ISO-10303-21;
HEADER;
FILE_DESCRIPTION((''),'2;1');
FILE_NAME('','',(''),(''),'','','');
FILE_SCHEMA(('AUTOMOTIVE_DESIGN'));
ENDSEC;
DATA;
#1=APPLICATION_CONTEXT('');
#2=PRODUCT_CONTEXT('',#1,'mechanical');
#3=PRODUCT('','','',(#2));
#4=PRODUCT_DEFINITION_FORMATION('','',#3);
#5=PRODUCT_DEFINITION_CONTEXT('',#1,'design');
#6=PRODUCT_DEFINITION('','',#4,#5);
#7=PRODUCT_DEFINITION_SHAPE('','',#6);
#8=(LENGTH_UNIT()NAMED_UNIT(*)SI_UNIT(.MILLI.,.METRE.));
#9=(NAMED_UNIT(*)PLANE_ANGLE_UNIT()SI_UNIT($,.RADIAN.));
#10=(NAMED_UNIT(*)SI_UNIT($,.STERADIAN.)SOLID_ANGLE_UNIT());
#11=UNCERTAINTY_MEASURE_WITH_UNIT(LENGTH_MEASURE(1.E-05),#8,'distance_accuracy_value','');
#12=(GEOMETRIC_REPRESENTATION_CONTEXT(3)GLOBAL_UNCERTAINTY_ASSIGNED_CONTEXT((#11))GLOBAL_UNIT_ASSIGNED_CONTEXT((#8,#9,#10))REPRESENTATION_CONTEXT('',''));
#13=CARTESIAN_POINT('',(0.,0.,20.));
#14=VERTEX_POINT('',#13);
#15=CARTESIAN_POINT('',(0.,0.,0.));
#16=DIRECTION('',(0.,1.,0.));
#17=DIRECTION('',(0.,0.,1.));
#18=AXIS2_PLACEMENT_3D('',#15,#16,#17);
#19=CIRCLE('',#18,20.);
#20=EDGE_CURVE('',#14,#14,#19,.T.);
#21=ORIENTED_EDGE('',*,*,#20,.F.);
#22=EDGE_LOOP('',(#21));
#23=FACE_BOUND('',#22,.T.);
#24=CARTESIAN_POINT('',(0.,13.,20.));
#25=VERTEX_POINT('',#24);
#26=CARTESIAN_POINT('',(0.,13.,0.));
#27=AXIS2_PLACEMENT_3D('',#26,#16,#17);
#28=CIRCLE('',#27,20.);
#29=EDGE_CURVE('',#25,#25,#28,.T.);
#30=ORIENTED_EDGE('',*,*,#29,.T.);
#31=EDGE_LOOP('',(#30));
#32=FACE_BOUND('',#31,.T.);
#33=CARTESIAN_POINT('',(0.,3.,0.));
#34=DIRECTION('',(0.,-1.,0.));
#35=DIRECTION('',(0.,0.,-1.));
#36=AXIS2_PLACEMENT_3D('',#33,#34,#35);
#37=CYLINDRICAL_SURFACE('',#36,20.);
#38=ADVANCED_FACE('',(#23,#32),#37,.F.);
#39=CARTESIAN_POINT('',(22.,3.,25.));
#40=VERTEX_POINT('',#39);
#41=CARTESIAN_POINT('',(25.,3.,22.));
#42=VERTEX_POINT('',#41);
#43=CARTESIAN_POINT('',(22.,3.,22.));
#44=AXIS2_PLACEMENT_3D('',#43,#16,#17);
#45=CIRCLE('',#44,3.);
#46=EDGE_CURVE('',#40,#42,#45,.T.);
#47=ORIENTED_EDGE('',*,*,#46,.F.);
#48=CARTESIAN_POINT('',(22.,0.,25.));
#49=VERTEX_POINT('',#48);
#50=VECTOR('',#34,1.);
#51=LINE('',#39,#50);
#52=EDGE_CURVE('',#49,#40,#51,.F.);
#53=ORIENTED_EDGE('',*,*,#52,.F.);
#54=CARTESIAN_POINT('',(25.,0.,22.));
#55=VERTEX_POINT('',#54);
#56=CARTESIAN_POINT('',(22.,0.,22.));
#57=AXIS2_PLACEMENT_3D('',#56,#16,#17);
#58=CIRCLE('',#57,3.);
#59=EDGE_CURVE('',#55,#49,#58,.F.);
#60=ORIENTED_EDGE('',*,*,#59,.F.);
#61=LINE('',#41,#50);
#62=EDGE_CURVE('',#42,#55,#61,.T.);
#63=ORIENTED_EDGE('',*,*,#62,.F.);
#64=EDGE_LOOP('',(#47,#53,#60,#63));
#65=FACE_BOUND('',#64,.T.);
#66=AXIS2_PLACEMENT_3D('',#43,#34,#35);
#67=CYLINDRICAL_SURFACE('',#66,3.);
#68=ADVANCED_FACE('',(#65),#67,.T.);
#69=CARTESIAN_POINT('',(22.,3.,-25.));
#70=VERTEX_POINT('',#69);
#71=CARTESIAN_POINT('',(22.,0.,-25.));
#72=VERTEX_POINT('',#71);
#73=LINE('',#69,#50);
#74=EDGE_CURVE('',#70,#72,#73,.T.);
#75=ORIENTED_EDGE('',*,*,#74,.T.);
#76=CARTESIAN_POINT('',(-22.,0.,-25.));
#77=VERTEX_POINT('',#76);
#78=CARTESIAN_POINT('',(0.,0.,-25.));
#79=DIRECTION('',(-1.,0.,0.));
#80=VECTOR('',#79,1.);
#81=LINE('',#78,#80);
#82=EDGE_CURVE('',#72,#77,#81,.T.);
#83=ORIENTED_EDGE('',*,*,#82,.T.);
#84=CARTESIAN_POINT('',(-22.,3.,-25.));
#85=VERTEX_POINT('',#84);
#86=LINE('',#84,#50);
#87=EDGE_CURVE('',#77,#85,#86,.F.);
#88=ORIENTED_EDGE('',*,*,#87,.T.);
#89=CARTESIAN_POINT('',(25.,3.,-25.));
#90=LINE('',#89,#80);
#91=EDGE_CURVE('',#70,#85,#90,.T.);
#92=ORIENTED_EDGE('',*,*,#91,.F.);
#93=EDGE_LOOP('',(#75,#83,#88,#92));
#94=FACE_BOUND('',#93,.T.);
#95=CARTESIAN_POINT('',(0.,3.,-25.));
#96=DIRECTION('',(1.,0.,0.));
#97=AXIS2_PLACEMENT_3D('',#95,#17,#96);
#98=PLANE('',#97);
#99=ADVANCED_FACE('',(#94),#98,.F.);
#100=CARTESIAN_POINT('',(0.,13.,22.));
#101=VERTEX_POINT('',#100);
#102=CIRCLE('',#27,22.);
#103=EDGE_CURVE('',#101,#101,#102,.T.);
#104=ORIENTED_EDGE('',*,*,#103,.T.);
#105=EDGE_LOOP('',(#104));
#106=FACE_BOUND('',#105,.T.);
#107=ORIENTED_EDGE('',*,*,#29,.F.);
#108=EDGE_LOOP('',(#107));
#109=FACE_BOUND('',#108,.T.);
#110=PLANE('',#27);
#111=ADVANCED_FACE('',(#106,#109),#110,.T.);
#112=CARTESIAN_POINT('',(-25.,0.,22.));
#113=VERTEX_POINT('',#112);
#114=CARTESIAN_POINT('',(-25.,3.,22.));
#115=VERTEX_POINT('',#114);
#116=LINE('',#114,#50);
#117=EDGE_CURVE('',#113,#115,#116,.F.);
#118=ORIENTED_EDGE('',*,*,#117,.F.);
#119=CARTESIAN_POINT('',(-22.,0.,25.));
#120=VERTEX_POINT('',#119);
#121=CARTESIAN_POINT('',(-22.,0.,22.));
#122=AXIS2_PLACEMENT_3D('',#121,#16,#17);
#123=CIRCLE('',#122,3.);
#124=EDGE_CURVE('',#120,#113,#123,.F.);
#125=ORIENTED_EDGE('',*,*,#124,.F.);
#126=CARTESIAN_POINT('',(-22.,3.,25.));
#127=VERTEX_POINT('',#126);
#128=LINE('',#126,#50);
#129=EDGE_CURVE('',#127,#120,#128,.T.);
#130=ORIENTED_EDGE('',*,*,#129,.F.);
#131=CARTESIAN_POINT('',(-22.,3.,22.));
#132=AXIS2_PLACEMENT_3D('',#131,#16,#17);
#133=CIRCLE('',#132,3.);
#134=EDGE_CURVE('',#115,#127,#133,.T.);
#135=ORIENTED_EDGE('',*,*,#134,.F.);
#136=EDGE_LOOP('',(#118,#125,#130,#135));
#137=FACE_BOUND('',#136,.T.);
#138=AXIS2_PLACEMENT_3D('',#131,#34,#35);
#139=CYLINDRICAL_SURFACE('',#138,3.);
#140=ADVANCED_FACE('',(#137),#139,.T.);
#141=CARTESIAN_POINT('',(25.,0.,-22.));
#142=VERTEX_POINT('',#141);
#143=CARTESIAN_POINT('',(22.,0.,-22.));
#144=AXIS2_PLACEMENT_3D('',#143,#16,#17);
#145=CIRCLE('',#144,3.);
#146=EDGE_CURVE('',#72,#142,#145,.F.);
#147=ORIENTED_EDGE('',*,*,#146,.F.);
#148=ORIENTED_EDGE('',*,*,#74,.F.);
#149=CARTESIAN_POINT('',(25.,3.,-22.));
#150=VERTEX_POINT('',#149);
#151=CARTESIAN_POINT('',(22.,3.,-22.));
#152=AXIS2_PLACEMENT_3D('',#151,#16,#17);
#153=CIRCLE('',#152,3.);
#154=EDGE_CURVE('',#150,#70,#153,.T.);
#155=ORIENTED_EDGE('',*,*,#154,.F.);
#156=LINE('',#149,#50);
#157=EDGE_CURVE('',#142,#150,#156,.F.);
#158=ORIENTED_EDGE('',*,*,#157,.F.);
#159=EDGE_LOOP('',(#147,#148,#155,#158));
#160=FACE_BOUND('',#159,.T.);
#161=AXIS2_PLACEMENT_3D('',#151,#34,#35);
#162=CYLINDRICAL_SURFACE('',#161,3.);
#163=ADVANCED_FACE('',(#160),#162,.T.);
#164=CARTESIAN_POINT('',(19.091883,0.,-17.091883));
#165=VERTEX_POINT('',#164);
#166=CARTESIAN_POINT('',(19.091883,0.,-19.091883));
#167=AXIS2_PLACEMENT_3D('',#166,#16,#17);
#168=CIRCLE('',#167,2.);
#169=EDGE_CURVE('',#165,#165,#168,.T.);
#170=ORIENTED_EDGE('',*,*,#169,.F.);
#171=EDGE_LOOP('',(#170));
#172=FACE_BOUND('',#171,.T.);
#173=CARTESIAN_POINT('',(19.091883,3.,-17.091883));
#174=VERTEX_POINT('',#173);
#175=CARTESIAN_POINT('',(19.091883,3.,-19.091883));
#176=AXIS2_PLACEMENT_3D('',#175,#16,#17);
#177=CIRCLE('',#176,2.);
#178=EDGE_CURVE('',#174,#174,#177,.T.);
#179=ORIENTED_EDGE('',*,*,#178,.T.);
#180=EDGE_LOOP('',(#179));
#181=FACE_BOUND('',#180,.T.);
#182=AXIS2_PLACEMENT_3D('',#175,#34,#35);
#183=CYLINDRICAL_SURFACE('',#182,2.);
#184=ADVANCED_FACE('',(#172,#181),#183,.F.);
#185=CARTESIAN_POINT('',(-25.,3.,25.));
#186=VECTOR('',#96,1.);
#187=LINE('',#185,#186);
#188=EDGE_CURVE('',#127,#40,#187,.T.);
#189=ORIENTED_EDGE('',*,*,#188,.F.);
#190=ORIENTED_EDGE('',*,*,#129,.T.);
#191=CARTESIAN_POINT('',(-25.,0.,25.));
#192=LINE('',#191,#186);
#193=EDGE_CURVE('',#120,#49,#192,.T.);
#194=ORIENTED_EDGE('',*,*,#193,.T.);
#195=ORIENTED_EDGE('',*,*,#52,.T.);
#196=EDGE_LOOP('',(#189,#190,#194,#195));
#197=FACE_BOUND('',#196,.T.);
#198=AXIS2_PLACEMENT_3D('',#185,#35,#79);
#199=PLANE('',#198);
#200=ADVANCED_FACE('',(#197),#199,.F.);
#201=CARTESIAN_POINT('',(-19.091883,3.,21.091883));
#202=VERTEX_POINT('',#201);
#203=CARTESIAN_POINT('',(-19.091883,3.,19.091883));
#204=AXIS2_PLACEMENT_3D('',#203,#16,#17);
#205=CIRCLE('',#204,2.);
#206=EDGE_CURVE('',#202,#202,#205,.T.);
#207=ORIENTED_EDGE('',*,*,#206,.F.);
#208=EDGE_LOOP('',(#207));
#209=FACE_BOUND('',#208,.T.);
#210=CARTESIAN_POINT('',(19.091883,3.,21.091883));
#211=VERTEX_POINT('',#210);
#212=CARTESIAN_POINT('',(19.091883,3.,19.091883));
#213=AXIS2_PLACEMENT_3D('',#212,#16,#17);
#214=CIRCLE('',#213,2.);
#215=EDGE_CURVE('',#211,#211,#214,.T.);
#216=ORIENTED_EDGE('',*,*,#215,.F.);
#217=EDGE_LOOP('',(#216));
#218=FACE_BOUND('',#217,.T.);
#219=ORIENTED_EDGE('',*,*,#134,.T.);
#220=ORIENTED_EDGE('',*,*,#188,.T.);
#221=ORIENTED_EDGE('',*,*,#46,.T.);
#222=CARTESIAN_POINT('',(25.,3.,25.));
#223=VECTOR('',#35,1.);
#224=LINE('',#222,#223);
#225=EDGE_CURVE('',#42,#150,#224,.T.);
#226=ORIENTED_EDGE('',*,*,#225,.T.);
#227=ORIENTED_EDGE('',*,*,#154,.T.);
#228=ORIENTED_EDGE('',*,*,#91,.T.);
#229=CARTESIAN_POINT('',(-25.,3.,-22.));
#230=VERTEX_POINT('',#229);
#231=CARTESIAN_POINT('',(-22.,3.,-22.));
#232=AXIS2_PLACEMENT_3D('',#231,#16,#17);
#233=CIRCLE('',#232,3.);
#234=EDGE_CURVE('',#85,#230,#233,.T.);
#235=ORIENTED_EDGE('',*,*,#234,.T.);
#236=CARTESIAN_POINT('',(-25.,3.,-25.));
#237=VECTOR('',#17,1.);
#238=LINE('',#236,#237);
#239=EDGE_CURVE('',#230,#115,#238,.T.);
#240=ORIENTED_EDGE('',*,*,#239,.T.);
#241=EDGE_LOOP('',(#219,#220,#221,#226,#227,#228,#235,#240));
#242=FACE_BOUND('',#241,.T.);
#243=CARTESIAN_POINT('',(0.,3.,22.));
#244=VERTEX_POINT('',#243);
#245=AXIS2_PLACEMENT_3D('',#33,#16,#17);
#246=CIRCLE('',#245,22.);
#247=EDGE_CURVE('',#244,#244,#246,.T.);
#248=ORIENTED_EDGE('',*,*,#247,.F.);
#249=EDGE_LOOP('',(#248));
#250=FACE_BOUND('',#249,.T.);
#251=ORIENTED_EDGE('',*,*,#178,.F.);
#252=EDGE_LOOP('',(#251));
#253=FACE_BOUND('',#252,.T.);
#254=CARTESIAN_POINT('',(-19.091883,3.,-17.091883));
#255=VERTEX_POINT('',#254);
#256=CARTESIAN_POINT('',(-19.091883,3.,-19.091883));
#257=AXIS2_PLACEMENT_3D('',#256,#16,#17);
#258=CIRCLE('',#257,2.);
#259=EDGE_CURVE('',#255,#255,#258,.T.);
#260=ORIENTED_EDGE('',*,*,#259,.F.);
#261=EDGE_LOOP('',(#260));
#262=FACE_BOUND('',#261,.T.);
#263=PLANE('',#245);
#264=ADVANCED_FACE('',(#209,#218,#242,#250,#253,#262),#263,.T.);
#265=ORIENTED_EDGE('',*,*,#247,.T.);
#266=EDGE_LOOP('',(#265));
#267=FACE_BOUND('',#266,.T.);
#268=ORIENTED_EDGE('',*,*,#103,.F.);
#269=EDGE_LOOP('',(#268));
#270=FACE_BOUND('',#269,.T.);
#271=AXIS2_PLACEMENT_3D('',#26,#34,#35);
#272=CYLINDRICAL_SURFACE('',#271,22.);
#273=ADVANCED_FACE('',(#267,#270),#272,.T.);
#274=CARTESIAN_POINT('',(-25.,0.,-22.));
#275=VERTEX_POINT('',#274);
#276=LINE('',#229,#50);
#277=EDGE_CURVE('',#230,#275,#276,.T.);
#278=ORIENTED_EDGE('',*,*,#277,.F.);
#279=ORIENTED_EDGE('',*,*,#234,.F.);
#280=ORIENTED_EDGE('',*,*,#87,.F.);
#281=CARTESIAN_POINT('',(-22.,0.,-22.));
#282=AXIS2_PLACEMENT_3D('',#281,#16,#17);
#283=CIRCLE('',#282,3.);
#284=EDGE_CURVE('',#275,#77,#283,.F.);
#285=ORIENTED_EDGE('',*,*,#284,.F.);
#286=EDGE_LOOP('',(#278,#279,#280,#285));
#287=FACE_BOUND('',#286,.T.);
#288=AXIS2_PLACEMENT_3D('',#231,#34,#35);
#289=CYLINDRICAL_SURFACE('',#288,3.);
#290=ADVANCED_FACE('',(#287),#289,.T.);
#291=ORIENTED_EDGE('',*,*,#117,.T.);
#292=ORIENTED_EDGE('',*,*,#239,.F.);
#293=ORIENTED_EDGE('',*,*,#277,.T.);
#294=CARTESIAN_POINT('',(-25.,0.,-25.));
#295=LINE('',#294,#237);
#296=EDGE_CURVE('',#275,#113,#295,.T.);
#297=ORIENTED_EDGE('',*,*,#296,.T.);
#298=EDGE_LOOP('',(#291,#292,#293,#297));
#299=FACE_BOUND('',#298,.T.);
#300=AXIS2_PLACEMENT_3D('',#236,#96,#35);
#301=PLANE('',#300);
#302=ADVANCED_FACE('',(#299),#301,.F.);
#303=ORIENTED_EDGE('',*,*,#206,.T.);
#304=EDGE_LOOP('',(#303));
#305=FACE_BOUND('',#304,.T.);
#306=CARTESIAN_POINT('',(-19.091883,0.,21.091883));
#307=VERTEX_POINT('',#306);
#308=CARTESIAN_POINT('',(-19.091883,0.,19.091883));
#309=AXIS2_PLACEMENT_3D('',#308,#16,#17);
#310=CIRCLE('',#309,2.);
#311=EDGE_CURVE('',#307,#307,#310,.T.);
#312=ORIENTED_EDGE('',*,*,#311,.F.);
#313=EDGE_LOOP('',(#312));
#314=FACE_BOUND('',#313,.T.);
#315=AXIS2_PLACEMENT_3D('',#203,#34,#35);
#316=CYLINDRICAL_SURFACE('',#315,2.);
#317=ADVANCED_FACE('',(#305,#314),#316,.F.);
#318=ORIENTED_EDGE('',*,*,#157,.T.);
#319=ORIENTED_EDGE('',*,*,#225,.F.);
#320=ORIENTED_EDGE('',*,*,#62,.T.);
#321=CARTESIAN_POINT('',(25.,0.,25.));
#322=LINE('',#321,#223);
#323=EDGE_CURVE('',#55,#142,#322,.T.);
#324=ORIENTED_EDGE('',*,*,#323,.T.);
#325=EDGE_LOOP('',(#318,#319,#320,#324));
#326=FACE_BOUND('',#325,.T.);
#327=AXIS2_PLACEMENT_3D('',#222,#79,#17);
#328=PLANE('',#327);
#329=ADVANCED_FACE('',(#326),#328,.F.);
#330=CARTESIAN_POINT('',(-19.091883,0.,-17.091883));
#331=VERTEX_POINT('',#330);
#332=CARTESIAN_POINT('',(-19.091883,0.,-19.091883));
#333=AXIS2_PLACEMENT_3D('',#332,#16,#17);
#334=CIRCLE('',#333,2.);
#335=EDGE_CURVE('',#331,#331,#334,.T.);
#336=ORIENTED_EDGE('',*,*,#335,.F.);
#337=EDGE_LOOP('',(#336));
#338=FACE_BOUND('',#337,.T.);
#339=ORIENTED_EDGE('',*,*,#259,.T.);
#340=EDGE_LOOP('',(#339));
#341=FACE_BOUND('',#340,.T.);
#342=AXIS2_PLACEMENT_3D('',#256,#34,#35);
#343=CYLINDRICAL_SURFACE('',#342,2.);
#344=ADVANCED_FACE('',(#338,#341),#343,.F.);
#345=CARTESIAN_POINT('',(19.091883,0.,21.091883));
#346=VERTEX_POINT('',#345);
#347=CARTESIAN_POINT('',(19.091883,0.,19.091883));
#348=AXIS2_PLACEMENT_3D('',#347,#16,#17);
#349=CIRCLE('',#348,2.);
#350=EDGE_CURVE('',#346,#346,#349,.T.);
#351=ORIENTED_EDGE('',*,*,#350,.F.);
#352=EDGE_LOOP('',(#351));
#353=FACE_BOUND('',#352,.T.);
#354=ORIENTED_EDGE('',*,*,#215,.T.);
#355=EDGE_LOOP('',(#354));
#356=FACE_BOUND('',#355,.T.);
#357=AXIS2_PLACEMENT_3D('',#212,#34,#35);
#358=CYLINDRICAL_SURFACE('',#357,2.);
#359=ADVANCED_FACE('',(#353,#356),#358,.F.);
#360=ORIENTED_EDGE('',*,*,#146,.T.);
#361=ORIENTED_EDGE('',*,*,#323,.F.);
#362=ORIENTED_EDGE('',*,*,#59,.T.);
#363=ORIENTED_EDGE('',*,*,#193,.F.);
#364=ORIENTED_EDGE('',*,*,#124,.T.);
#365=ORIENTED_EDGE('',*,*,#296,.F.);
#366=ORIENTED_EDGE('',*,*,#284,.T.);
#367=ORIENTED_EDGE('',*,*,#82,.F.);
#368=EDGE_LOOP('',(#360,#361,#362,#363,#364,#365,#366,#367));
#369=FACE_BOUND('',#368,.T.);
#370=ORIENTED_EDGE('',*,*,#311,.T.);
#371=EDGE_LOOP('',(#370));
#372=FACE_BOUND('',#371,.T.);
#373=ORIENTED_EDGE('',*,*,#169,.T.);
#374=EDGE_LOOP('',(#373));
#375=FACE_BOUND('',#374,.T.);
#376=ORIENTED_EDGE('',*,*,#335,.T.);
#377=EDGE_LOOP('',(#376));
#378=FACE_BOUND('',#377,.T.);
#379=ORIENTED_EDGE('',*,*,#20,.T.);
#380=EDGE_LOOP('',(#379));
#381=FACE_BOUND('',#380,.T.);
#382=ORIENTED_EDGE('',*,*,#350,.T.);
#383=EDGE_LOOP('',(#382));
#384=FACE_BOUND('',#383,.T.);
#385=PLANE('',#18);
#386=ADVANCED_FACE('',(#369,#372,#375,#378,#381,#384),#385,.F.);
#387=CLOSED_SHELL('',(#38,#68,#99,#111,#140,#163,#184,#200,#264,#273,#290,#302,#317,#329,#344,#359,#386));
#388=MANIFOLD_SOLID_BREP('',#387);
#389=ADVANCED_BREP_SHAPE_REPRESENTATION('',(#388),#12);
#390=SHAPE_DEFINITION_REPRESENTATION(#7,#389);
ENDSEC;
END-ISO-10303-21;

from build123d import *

# Parameters (mm, degrees)
SKETCH1_R           = 2
SKETCH1_R_2         = 20
BOSS_EXTRUDE1_DEPTH = 3
FILLET2_R           = 3
SKETCH2_R           = 22
SKETCH2_R_2         = 20
BOSS_EXTRUDE3_DEPTH = 10


with BuildPart() as part:
    # Sketch1 → Boss-Extrude1 (new body)
    with BuildSketch(Plane(origin=(0, 0, 0), x_dir=(1, 0, 0), z_dir=(0, 1, 0))):
        Polygon((0, 25), (-25, 25), (-25, -25), (25, -25), (25, 25), align=None)
        with Locations(Location((-19.091883092, 19.091883092, 0), (0, 0, 270))):
            Circle(SKETCH1_R, mode=Mode.SUBTRACT)
        with Locations(Location((19.091883092, 19.091883092, 0), (0, 0, 270))):
            Circle(SKETCH1_R, mode=Mode.SUBTRACT)
        with Locations(Location((19.091883092, -19.091883092, 0), (0, 0, 270))):
            Circle(SKETCH1_R, mode=Mode.SUBTRACT)
        with Locations(Location((-19.091883092, -19.091883092, 0), (0, 0, 270))):
            Circle(SKETCH1_R, mode=Mode.SUBTRACT)
        with Locations(Location((0, 0, 0), (0, 0, 270))):
            Circle(SKETCH1_R_2, mode=Mode.SUBTRACT)
    extrude(amount=BOSS_EXTRUDE1_DEPTH)

    # Fillet2
    fillet2_edges = [part.edges().sort_by_distance(p)[0] for p in [
        (25, 1.5, -25),
        (25, 1.5, 25),
        (-25, 1.5, 25),
        (-25, 1.5, -25),
    ]]
    fillet(fillet2_edges, radius=FILLET2_R)

    # Sketch2 → Boss-Extrude3 (add)
    with BuildSketch(Plane(origin=(0, 3, 0), x_dir=(1, 0, 0), z_dir=(0, 1, 0))):
        with Locations(Location((0, 0, 0), (0, 0, 270))):
            Circle(SKETCH2_R)
        with Locations(Location((0, 0, 0), (0, 0, 270))):
            Circle(SKETCH2_R_2, mode=Mode.SUBTRACT)
    extrude(amount=BOSS_EXTRUDE3_DEPTH)


solid = part.part
